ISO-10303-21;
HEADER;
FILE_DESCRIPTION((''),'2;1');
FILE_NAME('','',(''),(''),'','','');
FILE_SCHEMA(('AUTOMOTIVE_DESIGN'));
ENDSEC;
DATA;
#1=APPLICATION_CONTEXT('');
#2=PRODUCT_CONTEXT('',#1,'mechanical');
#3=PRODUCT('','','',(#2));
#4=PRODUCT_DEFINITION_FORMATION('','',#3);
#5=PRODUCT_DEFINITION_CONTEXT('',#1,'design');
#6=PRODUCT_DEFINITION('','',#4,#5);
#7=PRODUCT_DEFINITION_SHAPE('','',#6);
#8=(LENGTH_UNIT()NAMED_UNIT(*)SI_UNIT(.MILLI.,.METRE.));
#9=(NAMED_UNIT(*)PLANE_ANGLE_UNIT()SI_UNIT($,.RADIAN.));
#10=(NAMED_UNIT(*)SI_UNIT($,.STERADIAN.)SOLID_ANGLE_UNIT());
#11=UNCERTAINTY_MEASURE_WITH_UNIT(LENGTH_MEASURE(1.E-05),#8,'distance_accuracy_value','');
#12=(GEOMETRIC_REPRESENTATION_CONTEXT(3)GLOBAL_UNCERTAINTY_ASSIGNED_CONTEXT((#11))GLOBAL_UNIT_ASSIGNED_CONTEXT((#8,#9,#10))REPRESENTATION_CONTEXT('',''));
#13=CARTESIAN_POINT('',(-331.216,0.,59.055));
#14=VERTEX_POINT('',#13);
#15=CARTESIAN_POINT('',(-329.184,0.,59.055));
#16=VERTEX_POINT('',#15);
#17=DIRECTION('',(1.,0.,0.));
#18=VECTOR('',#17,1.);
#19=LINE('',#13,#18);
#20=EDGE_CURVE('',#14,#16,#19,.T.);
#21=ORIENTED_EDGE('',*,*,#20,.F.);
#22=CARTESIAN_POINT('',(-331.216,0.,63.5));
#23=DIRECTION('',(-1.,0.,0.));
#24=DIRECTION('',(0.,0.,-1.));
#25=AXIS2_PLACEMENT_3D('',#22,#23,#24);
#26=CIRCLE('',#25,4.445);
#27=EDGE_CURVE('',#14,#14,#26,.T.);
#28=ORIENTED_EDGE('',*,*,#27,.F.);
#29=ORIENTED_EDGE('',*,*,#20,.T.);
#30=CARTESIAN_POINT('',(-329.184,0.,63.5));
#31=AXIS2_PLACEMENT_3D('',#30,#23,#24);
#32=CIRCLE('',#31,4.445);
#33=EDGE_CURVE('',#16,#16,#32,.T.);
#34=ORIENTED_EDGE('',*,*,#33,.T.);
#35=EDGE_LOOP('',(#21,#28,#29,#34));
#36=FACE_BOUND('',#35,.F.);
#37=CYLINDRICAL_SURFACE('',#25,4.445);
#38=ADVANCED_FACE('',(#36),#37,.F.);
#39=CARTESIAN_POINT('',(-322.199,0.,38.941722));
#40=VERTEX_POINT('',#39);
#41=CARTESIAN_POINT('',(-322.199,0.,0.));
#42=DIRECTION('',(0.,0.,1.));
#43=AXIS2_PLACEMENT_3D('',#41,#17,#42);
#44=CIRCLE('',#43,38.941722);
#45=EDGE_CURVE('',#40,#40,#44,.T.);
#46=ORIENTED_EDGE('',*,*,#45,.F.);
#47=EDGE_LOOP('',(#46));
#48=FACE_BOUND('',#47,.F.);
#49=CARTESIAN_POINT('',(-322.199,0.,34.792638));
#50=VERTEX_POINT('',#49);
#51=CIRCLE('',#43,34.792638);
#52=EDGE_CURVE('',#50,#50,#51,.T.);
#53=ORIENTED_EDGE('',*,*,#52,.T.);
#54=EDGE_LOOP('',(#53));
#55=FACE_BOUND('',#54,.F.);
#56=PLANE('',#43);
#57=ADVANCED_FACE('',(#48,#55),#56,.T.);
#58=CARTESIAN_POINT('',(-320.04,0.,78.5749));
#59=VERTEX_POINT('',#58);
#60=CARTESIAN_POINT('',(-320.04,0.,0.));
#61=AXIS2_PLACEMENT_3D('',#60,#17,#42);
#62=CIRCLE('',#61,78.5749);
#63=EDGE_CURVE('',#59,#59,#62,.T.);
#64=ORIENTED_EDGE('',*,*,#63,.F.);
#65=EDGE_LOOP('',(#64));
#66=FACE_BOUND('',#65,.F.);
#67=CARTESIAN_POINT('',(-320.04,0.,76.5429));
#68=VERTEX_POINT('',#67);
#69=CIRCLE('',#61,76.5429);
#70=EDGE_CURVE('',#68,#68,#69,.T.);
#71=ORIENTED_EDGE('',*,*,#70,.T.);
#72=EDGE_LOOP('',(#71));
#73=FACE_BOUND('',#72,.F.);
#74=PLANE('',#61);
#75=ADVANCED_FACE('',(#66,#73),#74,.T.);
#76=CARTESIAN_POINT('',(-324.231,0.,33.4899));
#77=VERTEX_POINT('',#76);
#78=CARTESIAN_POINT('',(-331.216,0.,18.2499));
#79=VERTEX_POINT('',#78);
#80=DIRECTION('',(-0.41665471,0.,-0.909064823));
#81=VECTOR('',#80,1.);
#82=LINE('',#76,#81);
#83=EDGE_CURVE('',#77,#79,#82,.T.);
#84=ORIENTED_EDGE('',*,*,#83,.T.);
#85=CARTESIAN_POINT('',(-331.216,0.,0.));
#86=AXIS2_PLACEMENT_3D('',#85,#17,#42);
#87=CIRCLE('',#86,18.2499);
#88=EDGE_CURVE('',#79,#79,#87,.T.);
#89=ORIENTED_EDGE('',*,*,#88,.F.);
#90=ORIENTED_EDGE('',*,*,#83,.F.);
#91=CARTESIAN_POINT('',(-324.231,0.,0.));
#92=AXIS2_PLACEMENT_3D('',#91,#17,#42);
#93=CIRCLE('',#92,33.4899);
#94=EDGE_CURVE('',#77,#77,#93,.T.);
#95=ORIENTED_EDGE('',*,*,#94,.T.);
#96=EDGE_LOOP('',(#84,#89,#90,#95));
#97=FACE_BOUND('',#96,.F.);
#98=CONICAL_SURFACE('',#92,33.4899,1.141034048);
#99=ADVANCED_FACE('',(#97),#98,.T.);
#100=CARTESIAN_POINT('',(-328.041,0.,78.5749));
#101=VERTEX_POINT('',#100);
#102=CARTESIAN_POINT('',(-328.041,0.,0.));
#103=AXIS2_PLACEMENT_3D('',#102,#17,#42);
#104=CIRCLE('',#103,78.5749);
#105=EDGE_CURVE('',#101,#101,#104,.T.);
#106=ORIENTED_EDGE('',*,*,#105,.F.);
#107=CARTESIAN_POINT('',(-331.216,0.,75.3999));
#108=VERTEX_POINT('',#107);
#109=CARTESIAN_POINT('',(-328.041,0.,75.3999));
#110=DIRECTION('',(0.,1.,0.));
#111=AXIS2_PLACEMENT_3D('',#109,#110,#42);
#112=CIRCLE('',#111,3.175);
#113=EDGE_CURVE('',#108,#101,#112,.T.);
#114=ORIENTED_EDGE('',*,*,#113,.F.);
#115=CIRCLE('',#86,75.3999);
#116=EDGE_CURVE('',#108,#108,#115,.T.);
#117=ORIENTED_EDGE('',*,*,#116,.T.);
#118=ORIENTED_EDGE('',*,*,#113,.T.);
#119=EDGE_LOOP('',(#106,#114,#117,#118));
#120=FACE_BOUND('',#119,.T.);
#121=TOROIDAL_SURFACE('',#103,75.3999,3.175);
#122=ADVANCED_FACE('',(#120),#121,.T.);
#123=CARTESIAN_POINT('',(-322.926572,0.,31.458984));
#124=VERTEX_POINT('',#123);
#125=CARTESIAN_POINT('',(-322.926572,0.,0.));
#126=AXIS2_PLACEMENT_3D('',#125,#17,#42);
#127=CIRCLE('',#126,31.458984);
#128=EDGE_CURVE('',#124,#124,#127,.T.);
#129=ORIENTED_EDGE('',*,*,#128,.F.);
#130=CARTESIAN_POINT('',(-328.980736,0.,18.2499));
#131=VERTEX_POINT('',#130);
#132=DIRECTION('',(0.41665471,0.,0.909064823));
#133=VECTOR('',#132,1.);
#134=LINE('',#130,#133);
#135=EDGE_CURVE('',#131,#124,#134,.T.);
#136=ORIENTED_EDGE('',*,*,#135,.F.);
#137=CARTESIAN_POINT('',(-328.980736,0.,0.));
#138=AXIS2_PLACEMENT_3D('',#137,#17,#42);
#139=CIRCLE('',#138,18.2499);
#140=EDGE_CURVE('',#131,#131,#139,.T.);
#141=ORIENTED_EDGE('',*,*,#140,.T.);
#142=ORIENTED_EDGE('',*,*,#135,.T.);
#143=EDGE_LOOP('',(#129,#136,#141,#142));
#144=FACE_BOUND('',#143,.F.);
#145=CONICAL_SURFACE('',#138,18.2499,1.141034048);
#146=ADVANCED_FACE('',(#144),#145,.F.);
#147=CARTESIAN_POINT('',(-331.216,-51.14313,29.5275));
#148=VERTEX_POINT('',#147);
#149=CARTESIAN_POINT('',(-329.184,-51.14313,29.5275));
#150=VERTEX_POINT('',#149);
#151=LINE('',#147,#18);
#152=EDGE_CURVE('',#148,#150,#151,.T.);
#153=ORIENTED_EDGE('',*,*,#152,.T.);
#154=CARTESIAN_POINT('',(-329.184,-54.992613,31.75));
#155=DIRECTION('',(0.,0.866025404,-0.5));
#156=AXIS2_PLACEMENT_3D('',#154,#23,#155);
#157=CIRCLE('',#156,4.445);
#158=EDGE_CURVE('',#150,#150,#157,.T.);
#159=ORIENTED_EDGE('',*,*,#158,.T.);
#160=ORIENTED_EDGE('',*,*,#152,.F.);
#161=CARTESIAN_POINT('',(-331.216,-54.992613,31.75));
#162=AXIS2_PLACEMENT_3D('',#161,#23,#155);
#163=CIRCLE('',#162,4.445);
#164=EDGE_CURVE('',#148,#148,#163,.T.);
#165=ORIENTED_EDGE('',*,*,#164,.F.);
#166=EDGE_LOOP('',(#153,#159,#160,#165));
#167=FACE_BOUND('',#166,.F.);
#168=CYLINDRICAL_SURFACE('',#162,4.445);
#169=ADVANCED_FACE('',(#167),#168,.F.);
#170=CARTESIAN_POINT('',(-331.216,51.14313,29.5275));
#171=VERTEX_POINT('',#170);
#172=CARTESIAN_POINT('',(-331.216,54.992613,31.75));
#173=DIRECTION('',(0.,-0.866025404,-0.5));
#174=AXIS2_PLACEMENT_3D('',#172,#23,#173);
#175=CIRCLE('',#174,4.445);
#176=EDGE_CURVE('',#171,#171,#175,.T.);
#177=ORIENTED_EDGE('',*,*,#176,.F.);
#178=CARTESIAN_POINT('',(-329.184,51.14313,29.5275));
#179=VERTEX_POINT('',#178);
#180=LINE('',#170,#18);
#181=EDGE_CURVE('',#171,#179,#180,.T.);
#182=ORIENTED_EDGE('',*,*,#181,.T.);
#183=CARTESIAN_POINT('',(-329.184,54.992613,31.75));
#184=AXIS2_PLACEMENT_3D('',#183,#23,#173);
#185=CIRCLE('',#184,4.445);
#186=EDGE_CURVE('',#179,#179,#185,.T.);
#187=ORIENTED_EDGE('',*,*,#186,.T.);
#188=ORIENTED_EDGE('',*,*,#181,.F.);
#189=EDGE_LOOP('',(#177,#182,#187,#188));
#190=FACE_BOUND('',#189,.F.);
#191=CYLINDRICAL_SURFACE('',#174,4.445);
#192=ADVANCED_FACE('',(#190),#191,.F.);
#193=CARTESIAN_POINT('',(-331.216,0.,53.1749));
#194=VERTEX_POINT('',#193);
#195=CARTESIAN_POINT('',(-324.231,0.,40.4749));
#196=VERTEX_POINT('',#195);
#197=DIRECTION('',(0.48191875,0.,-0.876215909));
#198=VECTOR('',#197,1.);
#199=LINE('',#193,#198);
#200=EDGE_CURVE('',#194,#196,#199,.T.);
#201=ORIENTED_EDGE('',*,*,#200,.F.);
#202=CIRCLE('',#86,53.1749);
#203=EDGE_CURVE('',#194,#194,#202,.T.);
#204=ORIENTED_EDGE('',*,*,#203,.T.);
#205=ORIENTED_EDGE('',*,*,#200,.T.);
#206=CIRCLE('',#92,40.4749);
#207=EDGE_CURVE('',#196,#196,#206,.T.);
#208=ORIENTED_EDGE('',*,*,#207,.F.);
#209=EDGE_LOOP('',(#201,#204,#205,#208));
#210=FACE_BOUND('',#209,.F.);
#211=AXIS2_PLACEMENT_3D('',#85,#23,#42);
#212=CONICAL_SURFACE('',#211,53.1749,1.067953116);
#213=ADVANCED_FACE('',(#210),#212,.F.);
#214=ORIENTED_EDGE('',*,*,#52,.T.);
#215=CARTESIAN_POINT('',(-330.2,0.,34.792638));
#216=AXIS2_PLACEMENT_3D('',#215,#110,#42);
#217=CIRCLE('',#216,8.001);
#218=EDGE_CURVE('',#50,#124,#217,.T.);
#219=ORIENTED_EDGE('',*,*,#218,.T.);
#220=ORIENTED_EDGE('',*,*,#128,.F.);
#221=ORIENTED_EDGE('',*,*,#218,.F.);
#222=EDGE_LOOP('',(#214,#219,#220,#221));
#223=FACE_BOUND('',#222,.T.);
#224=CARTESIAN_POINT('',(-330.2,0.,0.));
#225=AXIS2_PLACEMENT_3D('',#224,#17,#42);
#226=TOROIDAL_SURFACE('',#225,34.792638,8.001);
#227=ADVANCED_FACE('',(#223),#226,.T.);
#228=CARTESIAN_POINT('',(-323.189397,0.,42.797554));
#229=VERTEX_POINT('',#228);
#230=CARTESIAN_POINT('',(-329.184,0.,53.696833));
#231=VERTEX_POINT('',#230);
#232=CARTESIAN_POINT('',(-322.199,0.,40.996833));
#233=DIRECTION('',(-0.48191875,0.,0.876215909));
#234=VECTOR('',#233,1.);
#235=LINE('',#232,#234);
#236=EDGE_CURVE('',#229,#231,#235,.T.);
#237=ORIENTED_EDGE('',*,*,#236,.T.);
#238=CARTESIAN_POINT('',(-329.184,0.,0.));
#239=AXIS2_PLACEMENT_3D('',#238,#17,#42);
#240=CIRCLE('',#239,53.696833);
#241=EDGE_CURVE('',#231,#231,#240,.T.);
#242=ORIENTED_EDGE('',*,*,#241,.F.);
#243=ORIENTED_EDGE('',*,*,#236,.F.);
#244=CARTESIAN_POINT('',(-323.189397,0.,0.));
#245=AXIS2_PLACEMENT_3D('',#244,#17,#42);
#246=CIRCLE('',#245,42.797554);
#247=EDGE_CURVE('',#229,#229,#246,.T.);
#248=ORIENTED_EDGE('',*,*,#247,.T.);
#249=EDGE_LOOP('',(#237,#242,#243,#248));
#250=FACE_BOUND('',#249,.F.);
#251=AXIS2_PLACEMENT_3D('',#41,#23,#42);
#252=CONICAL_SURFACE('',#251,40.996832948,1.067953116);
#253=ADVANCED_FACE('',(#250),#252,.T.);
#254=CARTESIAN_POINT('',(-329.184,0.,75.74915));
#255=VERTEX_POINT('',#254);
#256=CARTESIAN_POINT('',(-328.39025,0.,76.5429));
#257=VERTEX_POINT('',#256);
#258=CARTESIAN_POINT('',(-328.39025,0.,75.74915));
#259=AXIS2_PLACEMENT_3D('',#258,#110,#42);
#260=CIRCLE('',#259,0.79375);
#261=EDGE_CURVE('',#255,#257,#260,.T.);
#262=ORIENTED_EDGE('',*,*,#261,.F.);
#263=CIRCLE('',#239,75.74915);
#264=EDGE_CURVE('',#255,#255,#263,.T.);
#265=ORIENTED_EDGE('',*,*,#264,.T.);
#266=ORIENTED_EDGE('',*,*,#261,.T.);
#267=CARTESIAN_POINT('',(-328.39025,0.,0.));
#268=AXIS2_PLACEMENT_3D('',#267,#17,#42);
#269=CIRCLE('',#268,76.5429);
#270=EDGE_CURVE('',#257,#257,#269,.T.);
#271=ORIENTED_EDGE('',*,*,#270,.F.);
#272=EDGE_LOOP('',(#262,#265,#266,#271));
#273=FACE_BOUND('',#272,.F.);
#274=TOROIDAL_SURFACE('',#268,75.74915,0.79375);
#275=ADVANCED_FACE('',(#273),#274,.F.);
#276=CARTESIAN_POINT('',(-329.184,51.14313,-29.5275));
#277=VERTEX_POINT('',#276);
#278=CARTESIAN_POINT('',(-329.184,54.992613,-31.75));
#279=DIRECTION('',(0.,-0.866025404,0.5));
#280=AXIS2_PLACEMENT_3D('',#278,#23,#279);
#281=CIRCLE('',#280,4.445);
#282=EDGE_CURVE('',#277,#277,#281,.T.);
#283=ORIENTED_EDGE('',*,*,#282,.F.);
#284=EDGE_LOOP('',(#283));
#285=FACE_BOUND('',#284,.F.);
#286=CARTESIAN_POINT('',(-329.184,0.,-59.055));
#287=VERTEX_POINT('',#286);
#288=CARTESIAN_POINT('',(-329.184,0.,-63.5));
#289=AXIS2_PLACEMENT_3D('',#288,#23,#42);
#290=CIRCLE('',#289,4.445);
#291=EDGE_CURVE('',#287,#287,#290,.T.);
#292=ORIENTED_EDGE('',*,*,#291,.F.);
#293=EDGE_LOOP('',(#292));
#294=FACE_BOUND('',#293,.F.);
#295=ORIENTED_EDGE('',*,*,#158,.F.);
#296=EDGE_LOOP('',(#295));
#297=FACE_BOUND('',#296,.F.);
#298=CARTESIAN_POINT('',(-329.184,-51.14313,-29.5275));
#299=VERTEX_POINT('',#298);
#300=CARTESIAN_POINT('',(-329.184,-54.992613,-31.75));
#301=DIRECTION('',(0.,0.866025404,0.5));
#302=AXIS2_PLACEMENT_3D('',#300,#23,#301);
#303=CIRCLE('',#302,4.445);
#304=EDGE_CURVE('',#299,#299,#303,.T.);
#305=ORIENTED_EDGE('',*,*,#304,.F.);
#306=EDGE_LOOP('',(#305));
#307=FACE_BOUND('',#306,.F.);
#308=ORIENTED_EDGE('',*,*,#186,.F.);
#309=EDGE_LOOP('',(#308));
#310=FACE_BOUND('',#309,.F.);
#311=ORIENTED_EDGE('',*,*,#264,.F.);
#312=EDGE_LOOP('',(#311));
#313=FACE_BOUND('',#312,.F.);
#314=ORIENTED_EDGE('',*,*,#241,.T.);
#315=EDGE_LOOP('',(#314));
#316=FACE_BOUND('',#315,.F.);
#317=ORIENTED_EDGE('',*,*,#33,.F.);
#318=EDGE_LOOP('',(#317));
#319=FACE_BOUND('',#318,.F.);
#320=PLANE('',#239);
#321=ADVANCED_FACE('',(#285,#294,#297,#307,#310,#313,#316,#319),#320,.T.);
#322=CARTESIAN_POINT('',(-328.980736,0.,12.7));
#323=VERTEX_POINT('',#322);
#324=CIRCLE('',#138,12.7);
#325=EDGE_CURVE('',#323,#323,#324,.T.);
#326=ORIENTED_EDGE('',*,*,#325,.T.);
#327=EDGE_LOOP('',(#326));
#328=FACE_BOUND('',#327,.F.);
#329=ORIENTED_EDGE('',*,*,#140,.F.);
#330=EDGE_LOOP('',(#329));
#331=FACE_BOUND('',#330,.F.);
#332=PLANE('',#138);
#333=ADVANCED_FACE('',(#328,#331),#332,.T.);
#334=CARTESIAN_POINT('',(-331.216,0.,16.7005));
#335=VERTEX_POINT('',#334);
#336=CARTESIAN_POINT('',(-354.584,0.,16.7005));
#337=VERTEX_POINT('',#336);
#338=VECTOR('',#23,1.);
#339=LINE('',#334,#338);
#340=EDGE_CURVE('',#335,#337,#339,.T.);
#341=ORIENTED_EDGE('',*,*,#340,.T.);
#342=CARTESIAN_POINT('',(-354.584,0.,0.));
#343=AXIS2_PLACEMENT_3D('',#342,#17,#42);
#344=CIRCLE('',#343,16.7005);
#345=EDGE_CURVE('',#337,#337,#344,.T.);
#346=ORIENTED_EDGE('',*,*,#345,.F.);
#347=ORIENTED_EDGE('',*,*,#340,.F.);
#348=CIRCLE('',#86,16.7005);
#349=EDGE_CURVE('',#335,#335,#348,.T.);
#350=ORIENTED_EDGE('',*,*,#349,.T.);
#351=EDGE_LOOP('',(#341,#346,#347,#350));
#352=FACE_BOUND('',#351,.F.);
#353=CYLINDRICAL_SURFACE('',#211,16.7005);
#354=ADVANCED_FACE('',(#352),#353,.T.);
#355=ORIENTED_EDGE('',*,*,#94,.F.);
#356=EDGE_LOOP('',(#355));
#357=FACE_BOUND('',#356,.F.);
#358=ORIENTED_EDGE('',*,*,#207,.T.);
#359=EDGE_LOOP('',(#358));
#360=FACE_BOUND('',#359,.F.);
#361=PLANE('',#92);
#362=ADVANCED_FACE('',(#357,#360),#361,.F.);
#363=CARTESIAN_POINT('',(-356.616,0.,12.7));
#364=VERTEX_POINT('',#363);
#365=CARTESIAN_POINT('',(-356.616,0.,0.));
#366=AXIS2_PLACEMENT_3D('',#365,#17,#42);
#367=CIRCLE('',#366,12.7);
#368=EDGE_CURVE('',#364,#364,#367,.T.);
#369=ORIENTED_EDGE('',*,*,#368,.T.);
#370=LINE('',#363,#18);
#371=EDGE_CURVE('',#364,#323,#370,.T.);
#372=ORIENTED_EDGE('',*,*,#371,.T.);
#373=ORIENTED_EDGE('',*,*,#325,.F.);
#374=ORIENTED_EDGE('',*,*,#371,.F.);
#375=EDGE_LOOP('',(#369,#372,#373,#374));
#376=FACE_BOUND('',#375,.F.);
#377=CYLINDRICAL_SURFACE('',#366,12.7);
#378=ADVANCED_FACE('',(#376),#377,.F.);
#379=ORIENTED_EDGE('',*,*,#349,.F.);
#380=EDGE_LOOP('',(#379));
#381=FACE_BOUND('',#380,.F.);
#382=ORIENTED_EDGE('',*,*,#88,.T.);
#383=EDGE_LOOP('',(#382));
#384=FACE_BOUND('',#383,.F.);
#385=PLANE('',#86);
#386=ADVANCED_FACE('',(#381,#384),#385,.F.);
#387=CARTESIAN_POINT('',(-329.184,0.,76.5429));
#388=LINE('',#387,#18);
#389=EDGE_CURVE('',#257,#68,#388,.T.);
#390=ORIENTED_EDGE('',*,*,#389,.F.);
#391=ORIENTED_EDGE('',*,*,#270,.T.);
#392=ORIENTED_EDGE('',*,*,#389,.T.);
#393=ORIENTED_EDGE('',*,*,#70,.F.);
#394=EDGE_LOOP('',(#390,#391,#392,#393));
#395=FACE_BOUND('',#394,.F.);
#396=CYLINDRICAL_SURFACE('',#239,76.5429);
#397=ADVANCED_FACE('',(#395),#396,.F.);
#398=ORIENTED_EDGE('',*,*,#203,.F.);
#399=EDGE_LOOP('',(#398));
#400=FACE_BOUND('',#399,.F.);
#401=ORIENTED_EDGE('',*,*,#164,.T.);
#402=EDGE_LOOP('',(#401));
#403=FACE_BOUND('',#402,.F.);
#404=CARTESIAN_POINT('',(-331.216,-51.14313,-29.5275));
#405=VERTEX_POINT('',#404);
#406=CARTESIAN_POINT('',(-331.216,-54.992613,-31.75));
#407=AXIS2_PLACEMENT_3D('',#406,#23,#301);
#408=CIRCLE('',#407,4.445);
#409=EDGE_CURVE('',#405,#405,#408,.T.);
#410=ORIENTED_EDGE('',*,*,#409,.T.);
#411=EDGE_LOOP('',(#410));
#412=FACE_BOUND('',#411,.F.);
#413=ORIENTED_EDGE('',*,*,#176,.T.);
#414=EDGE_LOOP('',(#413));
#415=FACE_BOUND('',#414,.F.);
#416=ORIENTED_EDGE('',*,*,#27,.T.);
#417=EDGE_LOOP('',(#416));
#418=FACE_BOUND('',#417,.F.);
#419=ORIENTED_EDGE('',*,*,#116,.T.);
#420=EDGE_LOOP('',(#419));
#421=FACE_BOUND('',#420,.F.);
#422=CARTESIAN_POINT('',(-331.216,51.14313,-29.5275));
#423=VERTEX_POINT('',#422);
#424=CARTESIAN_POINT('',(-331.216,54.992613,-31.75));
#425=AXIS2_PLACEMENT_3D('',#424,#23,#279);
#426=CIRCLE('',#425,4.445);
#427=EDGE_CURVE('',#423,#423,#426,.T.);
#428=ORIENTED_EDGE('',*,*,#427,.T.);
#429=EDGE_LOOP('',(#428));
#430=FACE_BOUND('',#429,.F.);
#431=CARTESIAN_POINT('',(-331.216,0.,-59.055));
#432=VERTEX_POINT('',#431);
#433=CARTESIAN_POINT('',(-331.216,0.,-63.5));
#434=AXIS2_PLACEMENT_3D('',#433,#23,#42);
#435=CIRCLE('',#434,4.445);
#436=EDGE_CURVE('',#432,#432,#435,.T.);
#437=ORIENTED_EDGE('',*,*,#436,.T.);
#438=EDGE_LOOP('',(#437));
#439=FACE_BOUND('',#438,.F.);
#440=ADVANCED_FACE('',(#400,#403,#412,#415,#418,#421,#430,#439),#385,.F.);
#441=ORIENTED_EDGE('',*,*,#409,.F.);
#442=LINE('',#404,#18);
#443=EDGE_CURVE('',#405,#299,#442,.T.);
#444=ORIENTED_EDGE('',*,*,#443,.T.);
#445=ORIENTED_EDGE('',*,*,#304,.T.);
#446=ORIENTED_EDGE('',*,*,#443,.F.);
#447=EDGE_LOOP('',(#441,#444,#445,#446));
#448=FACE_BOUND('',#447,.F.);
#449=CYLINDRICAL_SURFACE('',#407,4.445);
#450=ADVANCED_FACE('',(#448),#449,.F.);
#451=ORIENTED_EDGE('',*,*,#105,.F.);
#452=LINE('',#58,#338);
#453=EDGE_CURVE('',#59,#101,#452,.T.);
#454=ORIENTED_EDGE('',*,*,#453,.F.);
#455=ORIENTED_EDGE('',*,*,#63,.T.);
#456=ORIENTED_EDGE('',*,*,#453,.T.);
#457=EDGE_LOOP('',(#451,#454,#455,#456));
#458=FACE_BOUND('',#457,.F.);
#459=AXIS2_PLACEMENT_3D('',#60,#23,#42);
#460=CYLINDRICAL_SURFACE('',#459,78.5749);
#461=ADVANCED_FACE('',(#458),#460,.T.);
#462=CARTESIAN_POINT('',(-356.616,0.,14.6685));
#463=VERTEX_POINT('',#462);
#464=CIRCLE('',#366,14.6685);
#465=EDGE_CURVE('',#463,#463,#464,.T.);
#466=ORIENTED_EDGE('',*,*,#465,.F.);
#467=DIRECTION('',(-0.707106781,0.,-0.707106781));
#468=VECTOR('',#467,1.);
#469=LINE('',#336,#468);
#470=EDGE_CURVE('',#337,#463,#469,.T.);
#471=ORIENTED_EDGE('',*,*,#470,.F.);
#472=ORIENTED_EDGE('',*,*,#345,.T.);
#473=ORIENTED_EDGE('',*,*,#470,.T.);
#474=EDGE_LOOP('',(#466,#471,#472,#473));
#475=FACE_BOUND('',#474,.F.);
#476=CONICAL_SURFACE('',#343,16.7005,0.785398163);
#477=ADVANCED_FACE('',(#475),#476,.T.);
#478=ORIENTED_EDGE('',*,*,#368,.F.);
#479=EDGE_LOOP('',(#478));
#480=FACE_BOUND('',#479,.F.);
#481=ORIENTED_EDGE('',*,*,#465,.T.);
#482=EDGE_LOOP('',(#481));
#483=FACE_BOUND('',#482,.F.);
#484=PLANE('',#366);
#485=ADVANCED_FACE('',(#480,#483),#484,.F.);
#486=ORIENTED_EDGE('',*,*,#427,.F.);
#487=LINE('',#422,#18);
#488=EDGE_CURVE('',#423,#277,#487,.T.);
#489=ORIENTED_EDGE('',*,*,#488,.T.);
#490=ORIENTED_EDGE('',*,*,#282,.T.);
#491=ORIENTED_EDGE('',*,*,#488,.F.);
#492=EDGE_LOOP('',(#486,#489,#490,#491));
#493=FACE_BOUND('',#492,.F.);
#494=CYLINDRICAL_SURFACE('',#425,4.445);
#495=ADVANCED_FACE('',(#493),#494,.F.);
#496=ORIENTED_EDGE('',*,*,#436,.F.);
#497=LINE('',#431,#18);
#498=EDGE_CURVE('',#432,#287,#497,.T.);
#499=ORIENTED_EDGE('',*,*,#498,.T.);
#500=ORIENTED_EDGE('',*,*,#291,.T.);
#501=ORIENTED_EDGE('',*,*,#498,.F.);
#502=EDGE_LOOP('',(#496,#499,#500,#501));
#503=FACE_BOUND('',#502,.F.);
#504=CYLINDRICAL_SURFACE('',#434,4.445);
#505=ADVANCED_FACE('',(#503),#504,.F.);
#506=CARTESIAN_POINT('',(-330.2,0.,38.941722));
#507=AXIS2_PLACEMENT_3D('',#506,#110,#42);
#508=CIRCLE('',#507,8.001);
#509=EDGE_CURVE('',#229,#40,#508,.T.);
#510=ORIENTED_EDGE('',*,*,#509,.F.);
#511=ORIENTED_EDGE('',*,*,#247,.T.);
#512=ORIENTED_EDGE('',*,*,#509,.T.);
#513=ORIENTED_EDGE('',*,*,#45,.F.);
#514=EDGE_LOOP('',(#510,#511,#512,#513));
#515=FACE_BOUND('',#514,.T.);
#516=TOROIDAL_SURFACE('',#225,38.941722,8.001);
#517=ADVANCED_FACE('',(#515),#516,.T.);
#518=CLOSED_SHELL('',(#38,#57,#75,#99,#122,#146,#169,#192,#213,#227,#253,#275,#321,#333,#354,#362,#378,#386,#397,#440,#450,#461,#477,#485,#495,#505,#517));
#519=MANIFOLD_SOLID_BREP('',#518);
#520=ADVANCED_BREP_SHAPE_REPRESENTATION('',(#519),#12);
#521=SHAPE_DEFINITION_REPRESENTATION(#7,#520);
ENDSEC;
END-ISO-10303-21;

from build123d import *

# Parameters (mm, degrees)
SKETCH036_R           = 4.445
POCKET003_DEPTH       = 461.643083323
POLARPATTERN003_COUNT = 6
CHAMFER_SIZE          = 2.032
FILLET_R              = 3.175
FILLET001_R           = 0.79375
FILLET002_R           = 8.001


with BuildPart() as part:
    # Sketch035 → Revolution006 (revolve)
    with BuildSketch(Plane.XZ):
        Polygon((0, 78.5749), (-11.176, 78.5749), (-11.176, 53.1749), (-4.191, 40.4749), (-4.191, 33.4899), (-11.176, 18.2499), (-11.176, 16.7005), (-36.576, 16.7005), (-36.576, 12.7), (-8.9407358595, 12.7), (-8.9407358595, 18.2499), (-2.159, 33.0464146026), (-2.159, 40.9968329476), (-9.144, 53.6968329476), (-9.144, 76.5429), (0, 76.5429), align=None)
    revolve(axis=Axis((0, 0, 0), (1, 0, 0)))

    # Sketch036 → Pocket003 (cut, through all)
    with BuildSketch(Plane(origin=(-11.176, 0, 0), x_dir=(0, 0, -1), z_dir=(-1, 0, 0))):
        with Locations((-63.5, 0)):
            Circle(SKETCH036_R)
    pocket003 = extrude(amount=-POCKET003_DEPTH, mode=Mode.SUBTRACT)

    # PolarPattern003: Pocket003 ×6 about axis
    polarpattern003_axis = Axis((-11.176, 0, 0), (-1, 0, 0))
    for i in range(1, POLARPATTERN003_COUNT):
        add(pocket003.rotate(polarpattern003_axis, i * 360 / POLARPATTERN003_COUNT), mode=Mode.SUBTRACT)

    # Chamfer
    chamfer_edges = [part.edges().sort_by_distance(p)[0] for p in [
        (-36.576, 0, -16.7005),
    ]]
    chamfer(chamfer_edges, length=CHAMFER_SIZE)

    # Fillet
    fillet_edges = [part.edges().sort_by_distance(p)[0] for p in [
        (-11.176, 0, -78.5749),
    ]]
    fillet(fillet_edges, radius=FILLET_R)

    # Fillet001
    fillet001_edges = [part.edges().sort_by_distance(p)[0] for p in [
        (-9.144, 0, -76.5429),
    ]]
    fillet(fillet001_edges, radius=FILLET001_R)

    # Fillet002
    fillet002_edges = [part.edges().sort_by_distance(p)[0] for p in [
        (-2.159, 0, -33.046415),
        (-2.159, 0, -40.996833),
    ]]
    fillet(fillet002_edges, radius=FILLET002_R)


with BuildPart() as part_1:
    # Body011 placement: moved
    add(part.part.moved(Location((-320.04, 0, 0))))


solid = part_1.part
